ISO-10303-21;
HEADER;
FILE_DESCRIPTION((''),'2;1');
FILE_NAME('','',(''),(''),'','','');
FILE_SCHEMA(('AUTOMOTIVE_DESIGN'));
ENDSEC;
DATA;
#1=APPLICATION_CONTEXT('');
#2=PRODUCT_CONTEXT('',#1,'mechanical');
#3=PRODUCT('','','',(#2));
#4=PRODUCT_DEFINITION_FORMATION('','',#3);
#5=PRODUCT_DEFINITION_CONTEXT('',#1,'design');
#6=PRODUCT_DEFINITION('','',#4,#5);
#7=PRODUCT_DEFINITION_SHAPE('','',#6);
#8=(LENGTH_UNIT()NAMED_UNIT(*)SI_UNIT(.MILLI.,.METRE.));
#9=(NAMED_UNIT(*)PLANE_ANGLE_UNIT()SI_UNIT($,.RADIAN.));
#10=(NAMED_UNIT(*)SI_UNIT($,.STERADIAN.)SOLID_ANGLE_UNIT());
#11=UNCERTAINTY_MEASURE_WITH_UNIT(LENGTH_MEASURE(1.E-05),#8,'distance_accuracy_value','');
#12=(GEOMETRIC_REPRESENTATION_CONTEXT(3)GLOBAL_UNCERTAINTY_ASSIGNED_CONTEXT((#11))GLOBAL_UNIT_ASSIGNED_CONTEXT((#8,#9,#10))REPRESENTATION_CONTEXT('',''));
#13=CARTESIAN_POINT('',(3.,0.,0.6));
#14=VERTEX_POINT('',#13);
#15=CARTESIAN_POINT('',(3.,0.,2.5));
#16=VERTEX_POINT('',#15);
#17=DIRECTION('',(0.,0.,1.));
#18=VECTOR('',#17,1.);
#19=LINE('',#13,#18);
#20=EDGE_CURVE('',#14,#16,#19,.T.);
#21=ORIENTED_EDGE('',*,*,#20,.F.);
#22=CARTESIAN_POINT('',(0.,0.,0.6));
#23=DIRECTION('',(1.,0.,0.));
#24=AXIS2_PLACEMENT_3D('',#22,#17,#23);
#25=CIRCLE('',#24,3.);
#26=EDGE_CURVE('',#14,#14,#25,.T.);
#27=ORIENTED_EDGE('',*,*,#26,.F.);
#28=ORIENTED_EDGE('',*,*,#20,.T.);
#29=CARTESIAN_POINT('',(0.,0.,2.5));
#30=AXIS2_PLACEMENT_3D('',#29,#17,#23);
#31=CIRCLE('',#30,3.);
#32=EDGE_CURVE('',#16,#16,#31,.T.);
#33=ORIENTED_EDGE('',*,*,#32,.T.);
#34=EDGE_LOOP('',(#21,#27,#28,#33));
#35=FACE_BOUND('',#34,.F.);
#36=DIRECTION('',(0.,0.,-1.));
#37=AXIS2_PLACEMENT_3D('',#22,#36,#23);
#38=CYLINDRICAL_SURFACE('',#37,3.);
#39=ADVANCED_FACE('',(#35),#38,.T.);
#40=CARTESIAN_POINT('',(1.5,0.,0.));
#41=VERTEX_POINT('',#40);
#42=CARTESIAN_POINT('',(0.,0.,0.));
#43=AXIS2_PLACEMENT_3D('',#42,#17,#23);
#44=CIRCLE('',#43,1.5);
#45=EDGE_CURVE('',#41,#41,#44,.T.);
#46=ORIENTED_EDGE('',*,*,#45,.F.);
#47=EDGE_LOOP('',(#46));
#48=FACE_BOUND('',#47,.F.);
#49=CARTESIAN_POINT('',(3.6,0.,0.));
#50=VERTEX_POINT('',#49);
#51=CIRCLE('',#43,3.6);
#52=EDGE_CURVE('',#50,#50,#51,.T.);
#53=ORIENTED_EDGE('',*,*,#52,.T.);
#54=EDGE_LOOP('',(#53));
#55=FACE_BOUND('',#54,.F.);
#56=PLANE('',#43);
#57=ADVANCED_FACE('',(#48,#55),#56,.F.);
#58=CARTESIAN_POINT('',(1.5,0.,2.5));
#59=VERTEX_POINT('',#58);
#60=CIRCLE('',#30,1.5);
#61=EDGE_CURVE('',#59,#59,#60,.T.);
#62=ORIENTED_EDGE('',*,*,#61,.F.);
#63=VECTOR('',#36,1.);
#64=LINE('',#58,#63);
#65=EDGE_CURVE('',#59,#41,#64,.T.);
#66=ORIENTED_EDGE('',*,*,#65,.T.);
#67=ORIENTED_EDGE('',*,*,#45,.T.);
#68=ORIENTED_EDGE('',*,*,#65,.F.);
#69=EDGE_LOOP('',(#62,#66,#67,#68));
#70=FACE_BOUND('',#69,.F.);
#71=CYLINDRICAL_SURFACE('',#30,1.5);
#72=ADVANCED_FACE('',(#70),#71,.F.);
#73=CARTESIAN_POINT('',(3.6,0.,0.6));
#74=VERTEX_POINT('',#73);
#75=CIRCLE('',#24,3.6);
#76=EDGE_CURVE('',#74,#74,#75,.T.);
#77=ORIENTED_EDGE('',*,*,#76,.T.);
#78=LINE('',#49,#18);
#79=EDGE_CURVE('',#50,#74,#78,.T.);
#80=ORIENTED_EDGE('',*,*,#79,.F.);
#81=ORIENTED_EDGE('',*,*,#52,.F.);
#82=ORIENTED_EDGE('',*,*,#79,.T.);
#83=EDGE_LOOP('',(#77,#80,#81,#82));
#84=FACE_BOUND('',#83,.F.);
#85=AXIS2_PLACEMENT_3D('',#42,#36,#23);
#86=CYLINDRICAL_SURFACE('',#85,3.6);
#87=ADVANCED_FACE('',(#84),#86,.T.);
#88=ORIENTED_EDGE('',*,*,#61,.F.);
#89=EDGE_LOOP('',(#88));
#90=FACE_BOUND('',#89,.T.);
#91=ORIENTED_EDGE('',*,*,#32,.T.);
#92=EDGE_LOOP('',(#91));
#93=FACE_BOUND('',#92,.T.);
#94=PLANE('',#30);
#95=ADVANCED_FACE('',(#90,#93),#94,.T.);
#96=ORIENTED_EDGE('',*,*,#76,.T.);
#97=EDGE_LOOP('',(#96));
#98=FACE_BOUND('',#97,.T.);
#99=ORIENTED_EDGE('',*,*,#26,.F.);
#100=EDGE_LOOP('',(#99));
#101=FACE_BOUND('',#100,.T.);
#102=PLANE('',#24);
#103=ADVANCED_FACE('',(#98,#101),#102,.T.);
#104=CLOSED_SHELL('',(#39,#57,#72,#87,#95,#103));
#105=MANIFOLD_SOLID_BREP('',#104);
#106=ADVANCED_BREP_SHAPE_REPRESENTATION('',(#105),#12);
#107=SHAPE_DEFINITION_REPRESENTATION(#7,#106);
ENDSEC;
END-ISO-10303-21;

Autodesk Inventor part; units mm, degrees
ref_plane "YZ Plane" through (0, 0, 0) normal (1, 0, 0) x (0, 1, 0)
ref_plane "XZ Plane" through (0, 0, 0) normal (0, 1, 0) x (-1, 0, 0)
ref_plane "XY Plane" through (0, 0, 0) normal (0, 0, 1) x (1, 0, 0)
sketch "スケッチ1" plane through (0, 0, 0) normal (0, 0, 1) x (1, 0, 0)
  circle A0 centre (0, 0) radius 3.6
  dimension "d0" = 7.2
extrude "押し出し1" add sketch "スケッチ1" along normal blind 0.6
sketch "スケッチ2" plane through (0, 0, 0.6) normal (0, 0, 1) x (1, 0, 0)
  circle A0 centre (0, 0) radius 3
  dimension "d3" = 6
extrude "押し出し2" add sketch "スケッチ2" along normal blind 1.9
sketch "スケッチ3" plane through (0, 0, 2.5) normal (0, 0, 1) x (1, 0, 0)
  circle A0 centre (0, 0) radius 1.5
  dimension "d6" = 3
extrude "押し出し3" cut sketch "スケッチ3" against normal blind 5
properties part number "Bearing_SMF63ZZ" material "ステンレス鋼"
